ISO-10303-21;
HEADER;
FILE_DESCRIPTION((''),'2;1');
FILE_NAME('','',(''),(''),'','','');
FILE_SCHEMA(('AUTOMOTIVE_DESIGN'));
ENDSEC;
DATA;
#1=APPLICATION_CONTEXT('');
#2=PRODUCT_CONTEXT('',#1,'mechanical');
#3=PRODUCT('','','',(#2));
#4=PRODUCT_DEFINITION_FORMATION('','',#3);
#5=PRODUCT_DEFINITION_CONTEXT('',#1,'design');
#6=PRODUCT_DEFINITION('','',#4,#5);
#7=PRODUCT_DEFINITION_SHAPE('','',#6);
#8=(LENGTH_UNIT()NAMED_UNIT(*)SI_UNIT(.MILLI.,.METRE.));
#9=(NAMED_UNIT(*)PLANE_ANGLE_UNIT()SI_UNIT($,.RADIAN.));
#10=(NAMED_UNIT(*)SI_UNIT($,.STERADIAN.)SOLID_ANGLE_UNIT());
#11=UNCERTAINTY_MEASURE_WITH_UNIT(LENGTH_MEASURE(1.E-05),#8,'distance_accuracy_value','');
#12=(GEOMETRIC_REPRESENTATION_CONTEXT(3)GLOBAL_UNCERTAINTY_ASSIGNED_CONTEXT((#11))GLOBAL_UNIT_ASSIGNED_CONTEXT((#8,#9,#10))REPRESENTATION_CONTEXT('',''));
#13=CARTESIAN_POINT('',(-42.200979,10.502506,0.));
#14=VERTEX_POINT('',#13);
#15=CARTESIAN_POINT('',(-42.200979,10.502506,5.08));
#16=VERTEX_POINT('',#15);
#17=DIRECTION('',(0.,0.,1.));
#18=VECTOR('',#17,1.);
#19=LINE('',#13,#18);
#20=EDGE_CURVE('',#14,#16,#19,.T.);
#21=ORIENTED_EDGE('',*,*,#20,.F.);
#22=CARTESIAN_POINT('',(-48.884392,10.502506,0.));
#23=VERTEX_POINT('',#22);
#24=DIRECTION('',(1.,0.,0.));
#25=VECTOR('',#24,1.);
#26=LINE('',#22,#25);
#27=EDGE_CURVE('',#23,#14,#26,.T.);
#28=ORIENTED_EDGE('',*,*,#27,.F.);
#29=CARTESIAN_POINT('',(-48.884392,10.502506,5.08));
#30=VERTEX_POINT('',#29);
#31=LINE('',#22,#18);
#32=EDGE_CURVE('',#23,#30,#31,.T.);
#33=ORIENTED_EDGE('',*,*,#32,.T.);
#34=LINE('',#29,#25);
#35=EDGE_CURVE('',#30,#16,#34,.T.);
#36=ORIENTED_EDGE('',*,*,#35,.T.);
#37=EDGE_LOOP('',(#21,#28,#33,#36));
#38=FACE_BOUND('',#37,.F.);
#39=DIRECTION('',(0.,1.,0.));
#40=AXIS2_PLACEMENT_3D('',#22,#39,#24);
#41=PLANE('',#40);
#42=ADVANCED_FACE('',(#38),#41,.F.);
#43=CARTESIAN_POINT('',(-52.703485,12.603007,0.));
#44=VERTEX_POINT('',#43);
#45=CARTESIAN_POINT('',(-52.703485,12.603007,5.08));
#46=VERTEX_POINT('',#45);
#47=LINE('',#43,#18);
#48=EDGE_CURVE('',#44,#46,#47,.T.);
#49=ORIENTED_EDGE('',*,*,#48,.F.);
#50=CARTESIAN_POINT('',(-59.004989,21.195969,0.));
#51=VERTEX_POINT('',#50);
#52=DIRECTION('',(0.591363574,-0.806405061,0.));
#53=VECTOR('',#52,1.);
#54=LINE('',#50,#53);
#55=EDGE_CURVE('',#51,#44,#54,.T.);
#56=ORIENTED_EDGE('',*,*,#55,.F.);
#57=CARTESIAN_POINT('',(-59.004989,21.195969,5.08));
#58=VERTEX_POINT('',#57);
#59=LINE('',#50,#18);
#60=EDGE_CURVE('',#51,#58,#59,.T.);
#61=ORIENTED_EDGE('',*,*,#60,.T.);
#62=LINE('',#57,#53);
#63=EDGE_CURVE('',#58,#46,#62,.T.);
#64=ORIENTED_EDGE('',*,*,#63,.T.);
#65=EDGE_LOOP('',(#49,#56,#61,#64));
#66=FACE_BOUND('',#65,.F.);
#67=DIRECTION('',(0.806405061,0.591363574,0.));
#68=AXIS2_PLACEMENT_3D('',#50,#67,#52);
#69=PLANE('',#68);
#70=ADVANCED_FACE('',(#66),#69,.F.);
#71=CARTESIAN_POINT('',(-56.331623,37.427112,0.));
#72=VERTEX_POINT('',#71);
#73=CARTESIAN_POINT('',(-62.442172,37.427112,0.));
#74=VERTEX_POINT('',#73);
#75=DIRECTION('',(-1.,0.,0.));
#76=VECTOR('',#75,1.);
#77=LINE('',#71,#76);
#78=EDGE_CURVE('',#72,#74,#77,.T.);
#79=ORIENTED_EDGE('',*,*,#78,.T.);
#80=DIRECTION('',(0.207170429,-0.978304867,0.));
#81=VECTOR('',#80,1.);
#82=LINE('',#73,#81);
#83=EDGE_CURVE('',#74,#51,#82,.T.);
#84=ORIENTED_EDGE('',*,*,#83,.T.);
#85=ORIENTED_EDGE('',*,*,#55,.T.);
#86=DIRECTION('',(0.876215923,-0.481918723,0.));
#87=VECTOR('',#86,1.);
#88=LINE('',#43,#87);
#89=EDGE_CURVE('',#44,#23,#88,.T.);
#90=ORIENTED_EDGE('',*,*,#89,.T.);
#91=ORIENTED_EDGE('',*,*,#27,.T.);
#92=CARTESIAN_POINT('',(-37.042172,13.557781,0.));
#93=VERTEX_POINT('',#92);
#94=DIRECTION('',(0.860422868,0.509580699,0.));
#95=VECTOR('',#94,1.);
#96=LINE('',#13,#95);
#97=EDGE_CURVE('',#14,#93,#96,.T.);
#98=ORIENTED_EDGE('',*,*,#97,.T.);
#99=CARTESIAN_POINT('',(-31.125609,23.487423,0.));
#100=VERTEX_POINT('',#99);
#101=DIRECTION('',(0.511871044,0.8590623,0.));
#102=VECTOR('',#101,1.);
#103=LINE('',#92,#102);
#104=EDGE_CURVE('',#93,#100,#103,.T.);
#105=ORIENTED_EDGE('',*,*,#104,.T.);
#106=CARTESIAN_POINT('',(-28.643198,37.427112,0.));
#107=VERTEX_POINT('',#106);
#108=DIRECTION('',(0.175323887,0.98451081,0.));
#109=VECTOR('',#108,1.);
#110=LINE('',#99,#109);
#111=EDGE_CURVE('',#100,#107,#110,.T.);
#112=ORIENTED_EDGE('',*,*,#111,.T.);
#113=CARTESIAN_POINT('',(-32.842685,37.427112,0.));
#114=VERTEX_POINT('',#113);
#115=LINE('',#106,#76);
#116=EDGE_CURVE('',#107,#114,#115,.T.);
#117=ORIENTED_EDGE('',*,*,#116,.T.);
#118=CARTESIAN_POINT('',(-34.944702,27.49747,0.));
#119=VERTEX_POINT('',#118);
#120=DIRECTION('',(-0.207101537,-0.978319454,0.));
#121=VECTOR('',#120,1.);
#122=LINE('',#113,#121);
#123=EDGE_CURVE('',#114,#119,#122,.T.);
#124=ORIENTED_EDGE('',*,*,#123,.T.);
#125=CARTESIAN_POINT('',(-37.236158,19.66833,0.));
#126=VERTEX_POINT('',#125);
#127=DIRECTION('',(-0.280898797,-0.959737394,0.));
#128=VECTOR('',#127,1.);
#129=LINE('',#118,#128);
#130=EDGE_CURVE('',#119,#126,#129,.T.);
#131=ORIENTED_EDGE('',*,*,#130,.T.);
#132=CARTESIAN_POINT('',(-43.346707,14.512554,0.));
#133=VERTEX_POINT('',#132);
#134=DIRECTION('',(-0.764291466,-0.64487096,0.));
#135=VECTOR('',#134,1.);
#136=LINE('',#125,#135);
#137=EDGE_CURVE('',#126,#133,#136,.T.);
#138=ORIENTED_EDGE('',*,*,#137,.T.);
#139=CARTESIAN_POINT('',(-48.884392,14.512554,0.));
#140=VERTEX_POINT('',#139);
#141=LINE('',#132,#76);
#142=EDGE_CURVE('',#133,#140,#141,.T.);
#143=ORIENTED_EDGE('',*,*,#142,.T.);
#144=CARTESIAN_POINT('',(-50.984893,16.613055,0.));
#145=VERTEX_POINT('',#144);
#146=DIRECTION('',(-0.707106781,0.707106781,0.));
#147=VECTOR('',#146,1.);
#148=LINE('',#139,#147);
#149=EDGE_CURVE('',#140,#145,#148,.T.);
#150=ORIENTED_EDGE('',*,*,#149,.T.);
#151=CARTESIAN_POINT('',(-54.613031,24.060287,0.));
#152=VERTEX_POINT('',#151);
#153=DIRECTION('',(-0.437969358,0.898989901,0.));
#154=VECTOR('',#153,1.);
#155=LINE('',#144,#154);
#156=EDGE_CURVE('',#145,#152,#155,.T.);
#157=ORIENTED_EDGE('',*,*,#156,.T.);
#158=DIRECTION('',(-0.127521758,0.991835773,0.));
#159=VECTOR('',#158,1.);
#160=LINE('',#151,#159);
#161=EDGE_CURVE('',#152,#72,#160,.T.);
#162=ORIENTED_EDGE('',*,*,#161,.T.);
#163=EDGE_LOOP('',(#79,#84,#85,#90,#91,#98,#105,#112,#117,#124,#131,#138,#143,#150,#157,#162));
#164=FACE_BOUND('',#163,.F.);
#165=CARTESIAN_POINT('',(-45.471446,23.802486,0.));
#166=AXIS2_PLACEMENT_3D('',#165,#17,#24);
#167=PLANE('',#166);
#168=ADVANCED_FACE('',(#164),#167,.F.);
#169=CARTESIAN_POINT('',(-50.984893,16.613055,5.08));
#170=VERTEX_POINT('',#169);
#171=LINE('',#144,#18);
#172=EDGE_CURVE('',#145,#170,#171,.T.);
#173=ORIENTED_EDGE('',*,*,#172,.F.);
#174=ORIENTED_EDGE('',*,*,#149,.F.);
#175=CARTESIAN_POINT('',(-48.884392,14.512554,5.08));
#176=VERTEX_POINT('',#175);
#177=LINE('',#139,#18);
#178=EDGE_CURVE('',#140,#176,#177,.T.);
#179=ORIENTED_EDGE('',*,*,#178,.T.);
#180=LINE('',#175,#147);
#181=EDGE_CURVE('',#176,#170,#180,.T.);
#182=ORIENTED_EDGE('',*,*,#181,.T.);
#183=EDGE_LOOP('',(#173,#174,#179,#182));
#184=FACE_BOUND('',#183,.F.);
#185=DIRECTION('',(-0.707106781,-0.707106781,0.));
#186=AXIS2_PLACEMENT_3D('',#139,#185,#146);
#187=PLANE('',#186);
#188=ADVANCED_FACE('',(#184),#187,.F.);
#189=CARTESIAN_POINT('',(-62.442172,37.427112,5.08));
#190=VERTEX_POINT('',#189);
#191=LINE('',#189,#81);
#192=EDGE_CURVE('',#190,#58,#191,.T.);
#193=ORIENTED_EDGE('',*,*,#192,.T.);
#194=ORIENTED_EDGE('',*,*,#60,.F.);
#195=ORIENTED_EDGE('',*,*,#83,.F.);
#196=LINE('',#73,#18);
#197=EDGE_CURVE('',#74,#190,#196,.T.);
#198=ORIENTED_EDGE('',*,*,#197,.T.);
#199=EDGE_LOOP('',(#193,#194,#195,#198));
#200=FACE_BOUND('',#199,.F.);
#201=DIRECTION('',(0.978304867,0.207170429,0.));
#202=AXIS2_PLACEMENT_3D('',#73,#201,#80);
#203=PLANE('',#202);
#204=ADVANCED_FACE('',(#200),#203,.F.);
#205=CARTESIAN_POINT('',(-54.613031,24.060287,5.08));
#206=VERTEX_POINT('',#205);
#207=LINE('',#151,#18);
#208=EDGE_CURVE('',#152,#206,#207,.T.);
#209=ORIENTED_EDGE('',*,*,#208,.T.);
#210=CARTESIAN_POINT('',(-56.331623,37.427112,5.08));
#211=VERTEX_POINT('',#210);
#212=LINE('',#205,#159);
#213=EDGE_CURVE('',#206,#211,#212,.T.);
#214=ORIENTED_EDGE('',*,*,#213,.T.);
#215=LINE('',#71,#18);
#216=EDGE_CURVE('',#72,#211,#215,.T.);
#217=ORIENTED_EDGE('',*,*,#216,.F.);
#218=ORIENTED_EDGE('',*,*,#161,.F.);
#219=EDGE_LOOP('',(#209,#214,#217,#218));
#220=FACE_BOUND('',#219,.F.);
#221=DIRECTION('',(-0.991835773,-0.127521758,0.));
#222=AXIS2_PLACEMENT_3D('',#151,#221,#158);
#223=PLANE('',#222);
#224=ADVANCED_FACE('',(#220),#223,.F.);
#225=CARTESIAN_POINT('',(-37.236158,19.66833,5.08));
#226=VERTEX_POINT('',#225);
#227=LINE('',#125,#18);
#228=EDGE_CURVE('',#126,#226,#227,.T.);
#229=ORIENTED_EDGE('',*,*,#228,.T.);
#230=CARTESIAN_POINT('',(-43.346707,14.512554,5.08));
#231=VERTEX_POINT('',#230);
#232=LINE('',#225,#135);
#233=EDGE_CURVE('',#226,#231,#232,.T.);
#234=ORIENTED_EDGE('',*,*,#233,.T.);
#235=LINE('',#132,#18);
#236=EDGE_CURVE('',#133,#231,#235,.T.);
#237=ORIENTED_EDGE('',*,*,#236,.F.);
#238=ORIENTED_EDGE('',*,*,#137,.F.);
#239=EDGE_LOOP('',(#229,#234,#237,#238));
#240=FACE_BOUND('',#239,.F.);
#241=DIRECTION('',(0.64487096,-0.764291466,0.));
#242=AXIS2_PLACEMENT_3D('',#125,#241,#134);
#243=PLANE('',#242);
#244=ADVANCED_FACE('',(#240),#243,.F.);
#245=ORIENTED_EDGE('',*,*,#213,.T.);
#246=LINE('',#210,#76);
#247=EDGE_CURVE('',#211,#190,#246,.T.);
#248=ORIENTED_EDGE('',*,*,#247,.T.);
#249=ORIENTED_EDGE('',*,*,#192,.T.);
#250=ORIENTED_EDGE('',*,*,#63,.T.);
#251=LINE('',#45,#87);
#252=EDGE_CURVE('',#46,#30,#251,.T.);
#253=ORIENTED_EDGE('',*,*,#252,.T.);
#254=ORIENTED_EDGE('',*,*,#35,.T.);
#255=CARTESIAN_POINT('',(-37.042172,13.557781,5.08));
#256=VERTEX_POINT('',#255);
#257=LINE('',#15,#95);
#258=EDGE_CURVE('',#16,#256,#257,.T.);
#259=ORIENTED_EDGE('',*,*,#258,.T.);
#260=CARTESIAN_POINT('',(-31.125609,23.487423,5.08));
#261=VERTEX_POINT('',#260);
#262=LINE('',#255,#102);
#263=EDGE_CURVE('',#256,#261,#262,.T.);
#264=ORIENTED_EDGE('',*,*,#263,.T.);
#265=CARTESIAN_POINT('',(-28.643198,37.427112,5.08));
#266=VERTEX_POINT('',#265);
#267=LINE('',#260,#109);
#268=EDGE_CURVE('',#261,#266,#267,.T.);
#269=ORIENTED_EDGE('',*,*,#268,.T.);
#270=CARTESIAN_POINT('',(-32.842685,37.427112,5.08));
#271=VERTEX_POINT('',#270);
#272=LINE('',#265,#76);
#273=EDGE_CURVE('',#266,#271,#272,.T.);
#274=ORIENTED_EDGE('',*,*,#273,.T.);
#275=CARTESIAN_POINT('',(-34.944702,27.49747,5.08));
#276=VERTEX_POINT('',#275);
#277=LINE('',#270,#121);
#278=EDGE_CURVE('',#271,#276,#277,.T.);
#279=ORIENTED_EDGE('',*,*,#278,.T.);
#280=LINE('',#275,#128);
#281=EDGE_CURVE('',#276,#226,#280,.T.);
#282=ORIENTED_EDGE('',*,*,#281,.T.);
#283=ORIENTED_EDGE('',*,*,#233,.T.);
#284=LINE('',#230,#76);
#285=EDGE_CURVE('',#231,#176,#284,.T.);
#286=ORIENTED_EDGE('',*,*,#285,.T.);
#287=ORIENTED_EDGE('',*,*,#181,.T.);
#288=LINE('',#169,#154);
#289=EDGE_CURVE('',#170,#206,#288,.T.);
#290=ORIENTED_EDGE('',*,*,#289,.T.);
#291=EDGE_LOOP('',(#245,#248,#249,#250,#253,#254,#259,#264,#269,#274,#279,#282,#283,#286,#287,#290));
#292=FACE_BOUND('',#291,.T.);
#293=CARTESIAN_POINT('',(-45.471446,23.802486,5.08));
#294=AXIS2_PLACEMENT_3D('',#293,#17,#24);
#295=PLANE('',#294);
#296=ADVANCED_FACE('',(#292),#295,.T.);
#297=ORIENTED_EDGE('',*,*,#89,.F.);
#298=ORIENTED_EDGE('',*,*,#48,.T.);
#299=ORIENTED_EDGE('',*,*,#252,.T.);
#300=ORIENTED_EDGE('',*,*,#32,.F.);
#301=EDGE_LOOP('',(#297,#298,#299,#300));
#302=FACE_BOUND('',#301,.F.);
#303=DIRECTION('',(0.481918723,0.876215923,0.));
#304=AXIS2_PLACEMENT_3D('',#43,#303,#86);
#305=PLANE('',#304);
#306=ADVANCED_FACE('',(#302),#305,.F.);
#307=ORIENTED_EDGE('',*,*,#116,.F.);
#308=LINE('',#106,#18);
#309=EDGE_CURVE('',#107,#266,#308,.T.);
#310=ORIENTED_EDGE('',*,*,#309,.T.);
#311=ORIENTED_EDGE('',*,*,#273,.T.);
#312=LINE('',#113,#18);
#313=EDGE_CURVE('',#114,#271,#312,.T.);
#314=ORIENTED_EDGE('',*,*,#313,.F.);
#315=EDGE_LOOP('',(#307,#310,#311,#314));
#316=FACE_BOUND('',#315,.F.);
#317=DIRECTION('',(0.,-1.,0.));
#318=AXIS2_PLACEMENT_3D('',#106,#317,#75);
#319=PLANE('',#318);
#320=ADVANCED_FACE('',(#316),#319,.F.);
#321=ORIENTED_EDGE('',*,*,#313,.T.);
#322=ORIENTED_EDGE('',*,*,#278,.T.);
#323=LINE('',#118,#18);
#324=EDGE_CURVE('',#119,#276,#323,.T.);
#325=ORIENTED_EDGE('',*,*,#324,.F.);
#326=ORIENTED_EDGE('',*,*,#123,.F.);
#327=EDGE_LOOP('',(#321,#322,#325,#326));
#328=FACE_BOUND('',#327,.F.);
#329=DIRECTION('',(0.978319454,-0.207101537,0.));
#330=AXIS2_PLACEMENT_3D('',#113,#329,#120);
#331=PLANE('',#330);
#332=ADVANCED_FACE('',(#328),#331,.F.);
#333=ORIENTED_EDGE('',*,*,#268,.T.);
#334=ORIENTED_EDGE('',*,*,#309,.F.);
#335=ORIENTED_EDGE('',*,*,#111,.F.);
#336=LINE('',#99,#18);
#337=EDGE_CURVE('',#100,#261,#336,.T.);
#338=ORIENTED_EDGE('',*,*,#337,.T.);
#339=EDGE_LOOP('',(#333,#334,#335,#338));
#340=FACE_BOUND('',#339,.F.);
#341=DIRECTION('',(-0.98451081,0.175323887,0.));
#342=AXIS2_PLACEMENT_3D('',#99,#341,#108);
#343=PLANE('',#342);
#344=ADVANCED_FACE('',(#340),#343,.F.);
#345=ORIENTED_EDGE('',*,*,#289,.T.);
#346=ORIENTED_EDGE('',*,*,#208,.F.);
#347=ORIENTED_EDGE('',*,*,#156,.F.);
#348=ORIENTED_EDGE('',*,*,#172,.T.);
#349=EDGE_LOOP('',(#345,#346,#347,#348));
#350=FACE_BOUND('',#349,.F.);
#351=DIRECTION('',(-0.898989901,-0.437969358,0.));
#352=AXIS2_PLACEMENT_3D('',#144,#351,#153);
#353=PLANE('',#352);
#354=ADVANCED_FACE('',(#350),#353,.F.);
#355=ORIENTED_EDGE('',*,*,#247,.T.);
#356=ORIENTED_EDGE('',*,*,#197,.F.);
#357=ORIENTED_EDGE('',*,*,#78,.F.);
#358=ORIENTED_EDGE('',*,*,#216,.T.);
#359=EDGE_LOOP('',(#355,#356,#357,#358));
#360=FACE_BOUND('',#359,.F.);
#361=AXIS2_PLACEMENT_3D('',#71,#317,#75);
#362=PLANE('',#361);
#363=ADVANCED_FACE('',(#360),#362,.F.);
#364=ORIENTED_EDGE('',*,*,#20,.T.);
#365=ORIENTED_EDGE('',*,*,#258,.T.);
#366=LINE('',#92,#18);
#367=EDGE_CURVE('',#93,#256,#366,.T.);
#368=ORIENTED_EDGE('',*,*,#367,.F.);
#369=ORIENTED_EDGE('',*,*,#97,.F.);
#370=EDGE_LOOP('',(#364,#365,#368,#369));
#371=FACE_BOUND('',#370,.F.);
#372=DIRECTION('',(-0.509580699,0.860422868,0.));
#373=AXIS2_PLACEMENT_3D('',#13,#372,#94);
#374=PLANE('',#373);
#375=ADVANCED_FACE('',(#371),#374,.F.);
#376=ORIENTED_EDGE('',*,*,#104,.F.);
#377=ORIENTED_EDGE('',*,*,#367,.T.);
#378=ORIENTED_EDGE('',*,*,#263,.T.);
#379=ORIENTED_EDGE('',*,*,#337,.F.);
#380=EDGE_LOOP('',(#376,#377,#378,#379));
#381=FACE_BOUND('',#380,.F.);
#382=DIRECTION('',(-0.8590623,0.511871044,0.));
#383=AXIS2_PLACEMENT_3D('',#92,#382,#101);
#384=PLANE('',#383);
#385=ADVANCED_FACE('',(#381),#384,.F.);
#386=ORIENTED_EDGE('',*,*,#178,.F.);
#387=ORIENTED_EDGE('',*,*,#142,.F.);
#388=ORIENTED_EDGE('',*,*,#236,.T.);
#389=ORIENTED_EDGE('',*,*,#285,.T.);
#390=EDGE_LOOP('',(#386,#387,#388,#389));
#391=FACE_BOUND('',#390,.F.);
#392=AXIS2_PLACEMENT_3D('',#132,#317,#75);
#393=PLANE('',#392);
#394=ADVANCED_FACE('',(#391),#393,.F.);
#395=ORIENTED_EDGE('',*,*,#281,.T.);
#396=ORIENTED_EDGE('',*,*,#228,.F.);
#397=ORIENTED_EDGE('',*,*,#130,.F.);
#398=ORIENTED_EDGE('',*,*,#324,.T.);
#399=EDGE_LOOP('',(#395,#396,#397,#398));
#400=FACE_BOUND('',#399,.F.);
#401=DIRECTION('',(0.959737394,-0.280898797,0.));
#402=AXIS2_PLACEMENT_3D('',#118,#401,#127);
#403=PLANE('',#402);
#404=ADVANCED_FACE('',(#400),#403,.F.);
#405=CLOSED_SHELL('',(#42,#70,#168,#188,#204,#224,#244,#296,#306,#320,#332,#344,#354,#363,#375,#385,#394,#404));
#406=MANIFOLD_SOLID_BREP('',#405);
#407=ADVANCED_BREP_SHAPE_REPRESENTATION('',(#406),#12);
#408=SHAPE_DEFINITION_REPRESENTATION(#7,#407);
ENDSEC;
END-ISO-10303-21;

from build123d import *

# Parameters (mm, degrees)
F1_DEPTH = 5.08


with BuildPart() as f1:
    # F0 (on Top) → F1 (new body)
    with BuildSketch(Plane.XY):
        Polygon((-28.643198, 37.427112), (-32.842685, 37.427112), (-34.944702, 27.49747), (-37.236158, 19.66833), (-43.346707, 14.512554), (-48.884392, 14.512554), (-50.984893, 16.613055), (-54.613031, 24.060287), (-56.331623, 37.427112), (-62.442172, 37.427112), (-59.004989, 21.195969), (-52.703485, 12.603007), (-48.884392, 10.502506), (-42.200979, 10.502506), (-37.042172, 13.557781), (-31.125609, 23.487423), align=None)
    extrude(amount=F1_DEPTH)


solid = f1.part
